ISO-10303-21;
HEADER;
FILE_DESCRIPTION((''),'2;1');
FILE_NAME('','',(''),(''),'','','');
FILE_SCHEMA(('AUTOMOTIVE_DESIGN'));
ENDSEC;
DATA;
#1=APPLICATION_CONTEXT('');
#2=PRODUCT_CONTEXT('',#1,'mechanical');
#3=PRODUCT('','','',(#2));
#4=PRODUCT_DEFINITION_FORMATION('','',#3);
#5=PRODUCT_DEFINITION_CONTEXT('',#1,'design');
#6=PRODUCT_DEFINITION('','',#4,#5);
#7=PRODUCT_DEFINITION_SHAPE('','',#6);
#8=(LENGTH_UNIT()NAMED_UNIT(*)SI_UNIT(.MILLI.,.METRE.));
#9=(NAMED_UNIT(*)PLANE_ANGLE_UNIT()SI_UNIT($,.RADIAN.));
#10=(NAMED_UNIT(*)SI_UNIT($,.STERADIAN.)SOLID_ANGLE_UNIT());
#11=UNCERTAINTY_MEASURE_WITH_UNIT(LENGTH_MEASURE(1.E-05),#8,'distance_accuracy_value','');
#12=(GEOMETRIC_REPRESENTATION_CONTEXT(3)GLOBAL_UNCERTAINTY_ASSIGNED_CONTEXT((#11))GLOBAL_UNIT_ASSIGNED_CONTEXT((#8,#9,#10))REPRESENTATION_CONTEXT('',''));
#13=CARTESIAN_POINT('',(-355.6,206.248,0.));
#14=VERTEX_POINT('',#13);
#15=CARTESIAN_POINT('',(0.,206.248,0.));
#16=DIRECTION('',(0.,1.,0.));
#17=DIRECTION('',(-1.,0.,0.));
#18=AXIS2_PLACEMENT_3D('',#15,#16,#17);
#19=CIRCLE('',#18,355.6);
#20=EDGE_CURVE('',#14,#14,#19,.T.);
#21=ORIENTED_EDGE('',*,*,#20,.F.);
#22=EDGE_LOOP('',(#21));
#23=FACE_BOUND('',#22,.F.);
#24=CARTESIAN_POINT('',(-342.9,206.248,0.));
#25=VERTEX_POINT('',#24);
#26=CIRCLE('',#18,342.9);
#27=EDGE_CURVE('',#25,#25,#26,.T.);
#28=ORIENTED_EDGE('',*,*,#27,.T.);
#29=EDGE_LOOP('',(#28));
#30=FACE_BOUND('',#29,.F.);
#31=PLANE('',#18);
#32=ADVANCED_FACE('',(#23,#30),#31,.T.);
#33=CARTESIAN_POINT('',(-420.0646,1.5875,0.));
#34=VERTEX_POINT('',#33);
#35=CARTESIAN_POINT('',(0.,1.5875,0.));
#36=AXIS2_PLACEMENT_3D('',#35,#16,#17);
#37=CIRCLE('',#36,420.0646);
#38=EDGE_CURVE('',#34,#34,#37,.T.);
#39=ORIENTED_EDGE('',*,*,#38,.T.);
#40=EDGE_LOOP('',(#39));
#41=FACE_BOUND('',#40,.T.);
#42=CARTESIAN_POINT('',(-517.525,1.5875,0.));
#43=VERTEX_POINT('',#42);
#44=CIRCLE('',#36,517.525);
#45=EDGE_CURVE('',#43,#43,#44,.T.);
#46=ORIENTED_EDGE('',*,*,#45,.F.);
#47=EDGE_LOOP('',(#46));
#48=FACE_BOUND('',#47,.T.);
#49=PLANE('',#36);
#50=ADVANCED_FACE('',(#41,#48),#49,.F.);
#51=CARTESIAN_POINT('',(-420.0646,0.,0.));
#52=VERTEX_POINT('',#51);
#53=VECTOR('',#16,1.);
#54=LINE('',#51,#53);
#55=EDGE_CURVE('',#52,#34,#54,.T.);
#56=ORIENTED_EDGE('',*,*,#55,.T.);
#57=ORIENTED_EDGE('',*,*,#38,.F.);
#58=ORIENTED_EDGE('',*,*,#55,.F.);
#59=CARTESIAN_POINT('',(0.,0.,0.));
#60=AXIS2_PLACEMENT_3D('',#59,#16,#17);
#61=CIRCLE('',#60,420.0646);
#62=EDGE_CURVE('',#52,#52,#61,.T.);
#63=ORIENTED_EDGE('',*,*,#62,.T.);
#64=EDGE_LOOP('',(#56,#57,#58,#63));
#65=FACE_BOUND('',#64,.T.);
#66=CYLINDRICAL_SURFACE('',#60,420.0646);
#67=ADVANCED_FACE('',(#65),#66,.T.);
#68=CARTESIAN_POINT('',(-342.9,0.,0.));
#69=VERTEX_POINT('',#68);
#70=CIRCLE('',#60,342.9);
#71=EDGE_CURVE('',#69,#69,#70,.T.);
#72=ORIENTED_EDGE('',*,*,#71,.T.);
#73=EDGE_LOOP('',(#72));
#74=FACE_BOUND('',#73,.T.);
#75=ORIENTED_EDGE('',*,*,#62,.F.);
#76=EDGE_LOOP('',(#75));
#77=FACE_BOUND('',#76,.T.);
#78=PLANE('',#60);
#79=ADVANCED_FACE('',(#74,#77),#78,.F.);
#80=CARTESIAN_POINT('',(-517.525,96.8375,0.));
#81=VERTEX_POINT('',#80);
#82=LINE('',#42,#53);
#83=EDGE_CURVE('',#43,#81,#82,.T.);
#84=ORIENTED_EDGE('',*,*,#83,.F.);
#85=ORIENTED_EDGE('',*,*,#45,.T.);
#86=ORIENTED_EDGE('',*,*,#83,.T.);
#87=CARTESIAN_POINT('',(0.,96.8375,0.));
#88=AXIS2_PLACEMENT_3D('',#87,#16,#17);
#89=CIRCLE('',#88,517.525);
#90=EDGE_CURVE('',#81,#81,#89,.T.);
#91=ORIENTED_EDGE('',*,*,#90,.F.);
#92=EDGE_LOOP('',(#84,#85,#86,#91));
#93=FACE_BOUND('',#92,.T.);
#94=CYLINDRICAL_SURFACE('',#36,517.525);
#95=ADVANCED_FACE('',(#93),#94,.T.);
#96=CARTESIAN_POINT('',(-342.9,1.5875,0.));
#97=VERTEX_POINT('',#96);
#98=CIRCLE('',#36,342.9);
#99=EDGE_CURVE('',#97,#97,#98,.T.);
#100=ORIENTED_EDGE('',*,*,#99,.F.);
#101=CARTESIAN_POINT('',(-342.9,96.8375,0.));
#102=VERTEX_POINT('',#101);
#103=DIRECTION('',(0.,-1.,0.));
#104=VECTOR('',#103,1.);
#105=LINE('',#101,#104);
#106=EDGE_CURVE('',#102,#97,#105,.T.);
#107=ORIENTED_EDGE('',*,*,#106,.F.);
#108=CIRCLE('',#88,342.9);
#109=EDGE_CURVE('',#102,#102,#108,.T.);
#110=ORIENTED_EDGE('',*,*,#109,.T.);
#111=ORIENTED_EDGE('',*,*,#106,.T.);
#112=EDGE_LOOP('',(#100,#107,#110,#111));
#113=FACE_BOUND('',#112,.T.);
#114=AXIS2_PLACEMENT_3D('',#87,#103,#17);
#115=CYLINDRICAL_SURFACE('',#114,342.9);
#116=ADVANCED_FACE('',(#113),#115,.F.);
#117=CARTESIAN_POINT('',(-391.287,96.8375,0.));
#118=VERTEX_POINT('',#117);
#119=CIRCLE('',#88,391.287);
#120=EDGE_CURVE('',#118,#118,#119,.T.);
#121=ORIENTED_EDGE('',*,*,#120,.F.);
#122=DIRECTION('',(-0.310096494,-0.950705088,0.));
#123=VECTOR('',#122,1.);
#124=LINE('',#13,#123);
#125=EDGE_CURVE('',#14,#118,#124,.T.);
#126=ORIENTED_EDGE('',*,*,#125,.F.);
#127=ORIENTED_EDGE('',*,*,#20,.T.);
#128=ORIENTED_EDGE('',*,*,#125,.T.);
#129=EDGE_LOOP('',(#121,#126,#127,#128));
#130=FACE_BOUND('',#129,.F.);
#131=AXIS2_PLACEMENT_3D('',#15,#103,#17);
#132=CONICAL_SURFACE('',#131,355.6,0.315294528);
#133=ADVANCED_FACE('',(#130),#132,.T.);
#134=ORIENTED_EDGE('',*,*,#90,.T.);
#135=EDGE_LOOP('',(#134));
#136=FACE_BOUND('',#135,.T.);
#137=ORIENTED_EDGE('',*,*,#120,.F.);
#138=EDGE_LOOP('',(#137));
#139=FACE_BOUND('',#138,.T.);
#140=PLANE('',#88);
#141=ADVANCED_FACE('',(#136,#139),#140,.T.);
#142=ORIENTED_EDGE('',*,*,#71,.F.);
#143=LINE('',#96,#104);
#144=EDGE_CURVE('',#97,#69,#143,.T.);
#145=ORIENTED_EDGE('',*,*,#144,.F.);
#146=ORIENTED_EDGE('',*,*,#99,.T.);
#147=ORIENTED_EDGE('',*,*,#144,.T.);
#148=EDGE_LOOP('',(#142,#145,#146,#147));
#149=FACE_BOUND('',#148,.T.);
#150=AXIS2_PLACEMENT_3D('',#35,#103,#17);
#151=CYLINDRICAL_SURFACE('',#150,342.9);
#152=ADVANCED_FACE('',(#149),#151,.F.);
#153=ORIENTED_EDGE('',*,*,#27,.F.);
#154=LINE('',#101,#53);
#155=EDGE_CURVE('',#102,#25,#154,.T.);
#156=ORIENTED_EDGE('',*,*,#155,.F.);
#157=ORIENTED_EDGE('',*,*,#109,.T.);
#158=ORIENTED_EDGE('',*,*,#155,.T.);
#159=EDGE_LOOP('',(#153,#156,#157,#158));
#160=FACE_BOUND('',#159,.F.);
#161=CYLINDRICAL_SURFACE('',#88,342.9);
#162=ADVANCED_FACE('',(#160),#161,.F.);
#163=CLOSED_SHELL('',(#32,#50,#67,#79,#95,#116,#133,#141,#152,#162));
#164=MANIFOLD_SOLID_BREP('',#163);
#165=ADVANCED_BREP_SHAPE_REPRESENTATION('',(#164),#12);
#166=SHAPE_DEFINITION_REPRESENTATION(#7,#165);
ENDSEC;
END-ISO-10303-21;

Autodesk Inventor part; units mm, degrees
ref_plane "YZ Plane" through (0, 0, 0) normal (1, 0, 0) x (0, 1, 0)
ref_plane "XZ Plane" through (0, 0, 0) normal (0, 1, 0) x (-1, 0, 0)
ref_plane "XY Plane" through (0, 0, 0) normal (0, 0, 1) x (1, 0, 0)
sketch "Sketch1" plane through (0, 0, 0) normal (0, 0, 1) x (1, 0, 0)
  line L0 (0, 0) -> (0, 460.0937) construction
  line L1 (-342.9, 0) -> (-420.0646, 0)
  line L2 (-420.0646, 0) -> (-420.0646, 1.5875)
  line L3 (-420.0646, 1.5875) -> (-342.9, 1.5875)
  line L4 (-342.9, 1.5875) -> (-342.9, 0)
  line L5 (-342.9, 1.5875) -> (-517.525, 1.5875)
  line L6 (-517.525, 1.5875) -> (-517.525, 96.8375)
  line L7 (-517.525, 96.8375) -> (-342.9, 96.8375)
  line L8 (-342.9, 96.8375) -> (-342.9, 1.5875)
  line L9 (-342.9, 96.8375) -> (-342.9, 206.248)
  line L10 (-342.9, 206.248) -> (-355.6, 206.248)
  line L11 (-355.6, 206.248) -> (-391.287, 96.8375)
  dimension "d0" = 342.9
  dimension "d2" = 95.25
  dimension "d3" = 1.5875
  dimension "d4" = 517.525
  dimension "d5" = 206.248
  dimension "d6" = 391.287
  dimension "d7" = 355.6
revolve "Revolution1" add sketch "Sketch1" angle 360 about axis through (0, 0, 0) along (0, 1, 0)
properties part number "A1-19037-100-XX 28in CL300 Slip on Flange"
